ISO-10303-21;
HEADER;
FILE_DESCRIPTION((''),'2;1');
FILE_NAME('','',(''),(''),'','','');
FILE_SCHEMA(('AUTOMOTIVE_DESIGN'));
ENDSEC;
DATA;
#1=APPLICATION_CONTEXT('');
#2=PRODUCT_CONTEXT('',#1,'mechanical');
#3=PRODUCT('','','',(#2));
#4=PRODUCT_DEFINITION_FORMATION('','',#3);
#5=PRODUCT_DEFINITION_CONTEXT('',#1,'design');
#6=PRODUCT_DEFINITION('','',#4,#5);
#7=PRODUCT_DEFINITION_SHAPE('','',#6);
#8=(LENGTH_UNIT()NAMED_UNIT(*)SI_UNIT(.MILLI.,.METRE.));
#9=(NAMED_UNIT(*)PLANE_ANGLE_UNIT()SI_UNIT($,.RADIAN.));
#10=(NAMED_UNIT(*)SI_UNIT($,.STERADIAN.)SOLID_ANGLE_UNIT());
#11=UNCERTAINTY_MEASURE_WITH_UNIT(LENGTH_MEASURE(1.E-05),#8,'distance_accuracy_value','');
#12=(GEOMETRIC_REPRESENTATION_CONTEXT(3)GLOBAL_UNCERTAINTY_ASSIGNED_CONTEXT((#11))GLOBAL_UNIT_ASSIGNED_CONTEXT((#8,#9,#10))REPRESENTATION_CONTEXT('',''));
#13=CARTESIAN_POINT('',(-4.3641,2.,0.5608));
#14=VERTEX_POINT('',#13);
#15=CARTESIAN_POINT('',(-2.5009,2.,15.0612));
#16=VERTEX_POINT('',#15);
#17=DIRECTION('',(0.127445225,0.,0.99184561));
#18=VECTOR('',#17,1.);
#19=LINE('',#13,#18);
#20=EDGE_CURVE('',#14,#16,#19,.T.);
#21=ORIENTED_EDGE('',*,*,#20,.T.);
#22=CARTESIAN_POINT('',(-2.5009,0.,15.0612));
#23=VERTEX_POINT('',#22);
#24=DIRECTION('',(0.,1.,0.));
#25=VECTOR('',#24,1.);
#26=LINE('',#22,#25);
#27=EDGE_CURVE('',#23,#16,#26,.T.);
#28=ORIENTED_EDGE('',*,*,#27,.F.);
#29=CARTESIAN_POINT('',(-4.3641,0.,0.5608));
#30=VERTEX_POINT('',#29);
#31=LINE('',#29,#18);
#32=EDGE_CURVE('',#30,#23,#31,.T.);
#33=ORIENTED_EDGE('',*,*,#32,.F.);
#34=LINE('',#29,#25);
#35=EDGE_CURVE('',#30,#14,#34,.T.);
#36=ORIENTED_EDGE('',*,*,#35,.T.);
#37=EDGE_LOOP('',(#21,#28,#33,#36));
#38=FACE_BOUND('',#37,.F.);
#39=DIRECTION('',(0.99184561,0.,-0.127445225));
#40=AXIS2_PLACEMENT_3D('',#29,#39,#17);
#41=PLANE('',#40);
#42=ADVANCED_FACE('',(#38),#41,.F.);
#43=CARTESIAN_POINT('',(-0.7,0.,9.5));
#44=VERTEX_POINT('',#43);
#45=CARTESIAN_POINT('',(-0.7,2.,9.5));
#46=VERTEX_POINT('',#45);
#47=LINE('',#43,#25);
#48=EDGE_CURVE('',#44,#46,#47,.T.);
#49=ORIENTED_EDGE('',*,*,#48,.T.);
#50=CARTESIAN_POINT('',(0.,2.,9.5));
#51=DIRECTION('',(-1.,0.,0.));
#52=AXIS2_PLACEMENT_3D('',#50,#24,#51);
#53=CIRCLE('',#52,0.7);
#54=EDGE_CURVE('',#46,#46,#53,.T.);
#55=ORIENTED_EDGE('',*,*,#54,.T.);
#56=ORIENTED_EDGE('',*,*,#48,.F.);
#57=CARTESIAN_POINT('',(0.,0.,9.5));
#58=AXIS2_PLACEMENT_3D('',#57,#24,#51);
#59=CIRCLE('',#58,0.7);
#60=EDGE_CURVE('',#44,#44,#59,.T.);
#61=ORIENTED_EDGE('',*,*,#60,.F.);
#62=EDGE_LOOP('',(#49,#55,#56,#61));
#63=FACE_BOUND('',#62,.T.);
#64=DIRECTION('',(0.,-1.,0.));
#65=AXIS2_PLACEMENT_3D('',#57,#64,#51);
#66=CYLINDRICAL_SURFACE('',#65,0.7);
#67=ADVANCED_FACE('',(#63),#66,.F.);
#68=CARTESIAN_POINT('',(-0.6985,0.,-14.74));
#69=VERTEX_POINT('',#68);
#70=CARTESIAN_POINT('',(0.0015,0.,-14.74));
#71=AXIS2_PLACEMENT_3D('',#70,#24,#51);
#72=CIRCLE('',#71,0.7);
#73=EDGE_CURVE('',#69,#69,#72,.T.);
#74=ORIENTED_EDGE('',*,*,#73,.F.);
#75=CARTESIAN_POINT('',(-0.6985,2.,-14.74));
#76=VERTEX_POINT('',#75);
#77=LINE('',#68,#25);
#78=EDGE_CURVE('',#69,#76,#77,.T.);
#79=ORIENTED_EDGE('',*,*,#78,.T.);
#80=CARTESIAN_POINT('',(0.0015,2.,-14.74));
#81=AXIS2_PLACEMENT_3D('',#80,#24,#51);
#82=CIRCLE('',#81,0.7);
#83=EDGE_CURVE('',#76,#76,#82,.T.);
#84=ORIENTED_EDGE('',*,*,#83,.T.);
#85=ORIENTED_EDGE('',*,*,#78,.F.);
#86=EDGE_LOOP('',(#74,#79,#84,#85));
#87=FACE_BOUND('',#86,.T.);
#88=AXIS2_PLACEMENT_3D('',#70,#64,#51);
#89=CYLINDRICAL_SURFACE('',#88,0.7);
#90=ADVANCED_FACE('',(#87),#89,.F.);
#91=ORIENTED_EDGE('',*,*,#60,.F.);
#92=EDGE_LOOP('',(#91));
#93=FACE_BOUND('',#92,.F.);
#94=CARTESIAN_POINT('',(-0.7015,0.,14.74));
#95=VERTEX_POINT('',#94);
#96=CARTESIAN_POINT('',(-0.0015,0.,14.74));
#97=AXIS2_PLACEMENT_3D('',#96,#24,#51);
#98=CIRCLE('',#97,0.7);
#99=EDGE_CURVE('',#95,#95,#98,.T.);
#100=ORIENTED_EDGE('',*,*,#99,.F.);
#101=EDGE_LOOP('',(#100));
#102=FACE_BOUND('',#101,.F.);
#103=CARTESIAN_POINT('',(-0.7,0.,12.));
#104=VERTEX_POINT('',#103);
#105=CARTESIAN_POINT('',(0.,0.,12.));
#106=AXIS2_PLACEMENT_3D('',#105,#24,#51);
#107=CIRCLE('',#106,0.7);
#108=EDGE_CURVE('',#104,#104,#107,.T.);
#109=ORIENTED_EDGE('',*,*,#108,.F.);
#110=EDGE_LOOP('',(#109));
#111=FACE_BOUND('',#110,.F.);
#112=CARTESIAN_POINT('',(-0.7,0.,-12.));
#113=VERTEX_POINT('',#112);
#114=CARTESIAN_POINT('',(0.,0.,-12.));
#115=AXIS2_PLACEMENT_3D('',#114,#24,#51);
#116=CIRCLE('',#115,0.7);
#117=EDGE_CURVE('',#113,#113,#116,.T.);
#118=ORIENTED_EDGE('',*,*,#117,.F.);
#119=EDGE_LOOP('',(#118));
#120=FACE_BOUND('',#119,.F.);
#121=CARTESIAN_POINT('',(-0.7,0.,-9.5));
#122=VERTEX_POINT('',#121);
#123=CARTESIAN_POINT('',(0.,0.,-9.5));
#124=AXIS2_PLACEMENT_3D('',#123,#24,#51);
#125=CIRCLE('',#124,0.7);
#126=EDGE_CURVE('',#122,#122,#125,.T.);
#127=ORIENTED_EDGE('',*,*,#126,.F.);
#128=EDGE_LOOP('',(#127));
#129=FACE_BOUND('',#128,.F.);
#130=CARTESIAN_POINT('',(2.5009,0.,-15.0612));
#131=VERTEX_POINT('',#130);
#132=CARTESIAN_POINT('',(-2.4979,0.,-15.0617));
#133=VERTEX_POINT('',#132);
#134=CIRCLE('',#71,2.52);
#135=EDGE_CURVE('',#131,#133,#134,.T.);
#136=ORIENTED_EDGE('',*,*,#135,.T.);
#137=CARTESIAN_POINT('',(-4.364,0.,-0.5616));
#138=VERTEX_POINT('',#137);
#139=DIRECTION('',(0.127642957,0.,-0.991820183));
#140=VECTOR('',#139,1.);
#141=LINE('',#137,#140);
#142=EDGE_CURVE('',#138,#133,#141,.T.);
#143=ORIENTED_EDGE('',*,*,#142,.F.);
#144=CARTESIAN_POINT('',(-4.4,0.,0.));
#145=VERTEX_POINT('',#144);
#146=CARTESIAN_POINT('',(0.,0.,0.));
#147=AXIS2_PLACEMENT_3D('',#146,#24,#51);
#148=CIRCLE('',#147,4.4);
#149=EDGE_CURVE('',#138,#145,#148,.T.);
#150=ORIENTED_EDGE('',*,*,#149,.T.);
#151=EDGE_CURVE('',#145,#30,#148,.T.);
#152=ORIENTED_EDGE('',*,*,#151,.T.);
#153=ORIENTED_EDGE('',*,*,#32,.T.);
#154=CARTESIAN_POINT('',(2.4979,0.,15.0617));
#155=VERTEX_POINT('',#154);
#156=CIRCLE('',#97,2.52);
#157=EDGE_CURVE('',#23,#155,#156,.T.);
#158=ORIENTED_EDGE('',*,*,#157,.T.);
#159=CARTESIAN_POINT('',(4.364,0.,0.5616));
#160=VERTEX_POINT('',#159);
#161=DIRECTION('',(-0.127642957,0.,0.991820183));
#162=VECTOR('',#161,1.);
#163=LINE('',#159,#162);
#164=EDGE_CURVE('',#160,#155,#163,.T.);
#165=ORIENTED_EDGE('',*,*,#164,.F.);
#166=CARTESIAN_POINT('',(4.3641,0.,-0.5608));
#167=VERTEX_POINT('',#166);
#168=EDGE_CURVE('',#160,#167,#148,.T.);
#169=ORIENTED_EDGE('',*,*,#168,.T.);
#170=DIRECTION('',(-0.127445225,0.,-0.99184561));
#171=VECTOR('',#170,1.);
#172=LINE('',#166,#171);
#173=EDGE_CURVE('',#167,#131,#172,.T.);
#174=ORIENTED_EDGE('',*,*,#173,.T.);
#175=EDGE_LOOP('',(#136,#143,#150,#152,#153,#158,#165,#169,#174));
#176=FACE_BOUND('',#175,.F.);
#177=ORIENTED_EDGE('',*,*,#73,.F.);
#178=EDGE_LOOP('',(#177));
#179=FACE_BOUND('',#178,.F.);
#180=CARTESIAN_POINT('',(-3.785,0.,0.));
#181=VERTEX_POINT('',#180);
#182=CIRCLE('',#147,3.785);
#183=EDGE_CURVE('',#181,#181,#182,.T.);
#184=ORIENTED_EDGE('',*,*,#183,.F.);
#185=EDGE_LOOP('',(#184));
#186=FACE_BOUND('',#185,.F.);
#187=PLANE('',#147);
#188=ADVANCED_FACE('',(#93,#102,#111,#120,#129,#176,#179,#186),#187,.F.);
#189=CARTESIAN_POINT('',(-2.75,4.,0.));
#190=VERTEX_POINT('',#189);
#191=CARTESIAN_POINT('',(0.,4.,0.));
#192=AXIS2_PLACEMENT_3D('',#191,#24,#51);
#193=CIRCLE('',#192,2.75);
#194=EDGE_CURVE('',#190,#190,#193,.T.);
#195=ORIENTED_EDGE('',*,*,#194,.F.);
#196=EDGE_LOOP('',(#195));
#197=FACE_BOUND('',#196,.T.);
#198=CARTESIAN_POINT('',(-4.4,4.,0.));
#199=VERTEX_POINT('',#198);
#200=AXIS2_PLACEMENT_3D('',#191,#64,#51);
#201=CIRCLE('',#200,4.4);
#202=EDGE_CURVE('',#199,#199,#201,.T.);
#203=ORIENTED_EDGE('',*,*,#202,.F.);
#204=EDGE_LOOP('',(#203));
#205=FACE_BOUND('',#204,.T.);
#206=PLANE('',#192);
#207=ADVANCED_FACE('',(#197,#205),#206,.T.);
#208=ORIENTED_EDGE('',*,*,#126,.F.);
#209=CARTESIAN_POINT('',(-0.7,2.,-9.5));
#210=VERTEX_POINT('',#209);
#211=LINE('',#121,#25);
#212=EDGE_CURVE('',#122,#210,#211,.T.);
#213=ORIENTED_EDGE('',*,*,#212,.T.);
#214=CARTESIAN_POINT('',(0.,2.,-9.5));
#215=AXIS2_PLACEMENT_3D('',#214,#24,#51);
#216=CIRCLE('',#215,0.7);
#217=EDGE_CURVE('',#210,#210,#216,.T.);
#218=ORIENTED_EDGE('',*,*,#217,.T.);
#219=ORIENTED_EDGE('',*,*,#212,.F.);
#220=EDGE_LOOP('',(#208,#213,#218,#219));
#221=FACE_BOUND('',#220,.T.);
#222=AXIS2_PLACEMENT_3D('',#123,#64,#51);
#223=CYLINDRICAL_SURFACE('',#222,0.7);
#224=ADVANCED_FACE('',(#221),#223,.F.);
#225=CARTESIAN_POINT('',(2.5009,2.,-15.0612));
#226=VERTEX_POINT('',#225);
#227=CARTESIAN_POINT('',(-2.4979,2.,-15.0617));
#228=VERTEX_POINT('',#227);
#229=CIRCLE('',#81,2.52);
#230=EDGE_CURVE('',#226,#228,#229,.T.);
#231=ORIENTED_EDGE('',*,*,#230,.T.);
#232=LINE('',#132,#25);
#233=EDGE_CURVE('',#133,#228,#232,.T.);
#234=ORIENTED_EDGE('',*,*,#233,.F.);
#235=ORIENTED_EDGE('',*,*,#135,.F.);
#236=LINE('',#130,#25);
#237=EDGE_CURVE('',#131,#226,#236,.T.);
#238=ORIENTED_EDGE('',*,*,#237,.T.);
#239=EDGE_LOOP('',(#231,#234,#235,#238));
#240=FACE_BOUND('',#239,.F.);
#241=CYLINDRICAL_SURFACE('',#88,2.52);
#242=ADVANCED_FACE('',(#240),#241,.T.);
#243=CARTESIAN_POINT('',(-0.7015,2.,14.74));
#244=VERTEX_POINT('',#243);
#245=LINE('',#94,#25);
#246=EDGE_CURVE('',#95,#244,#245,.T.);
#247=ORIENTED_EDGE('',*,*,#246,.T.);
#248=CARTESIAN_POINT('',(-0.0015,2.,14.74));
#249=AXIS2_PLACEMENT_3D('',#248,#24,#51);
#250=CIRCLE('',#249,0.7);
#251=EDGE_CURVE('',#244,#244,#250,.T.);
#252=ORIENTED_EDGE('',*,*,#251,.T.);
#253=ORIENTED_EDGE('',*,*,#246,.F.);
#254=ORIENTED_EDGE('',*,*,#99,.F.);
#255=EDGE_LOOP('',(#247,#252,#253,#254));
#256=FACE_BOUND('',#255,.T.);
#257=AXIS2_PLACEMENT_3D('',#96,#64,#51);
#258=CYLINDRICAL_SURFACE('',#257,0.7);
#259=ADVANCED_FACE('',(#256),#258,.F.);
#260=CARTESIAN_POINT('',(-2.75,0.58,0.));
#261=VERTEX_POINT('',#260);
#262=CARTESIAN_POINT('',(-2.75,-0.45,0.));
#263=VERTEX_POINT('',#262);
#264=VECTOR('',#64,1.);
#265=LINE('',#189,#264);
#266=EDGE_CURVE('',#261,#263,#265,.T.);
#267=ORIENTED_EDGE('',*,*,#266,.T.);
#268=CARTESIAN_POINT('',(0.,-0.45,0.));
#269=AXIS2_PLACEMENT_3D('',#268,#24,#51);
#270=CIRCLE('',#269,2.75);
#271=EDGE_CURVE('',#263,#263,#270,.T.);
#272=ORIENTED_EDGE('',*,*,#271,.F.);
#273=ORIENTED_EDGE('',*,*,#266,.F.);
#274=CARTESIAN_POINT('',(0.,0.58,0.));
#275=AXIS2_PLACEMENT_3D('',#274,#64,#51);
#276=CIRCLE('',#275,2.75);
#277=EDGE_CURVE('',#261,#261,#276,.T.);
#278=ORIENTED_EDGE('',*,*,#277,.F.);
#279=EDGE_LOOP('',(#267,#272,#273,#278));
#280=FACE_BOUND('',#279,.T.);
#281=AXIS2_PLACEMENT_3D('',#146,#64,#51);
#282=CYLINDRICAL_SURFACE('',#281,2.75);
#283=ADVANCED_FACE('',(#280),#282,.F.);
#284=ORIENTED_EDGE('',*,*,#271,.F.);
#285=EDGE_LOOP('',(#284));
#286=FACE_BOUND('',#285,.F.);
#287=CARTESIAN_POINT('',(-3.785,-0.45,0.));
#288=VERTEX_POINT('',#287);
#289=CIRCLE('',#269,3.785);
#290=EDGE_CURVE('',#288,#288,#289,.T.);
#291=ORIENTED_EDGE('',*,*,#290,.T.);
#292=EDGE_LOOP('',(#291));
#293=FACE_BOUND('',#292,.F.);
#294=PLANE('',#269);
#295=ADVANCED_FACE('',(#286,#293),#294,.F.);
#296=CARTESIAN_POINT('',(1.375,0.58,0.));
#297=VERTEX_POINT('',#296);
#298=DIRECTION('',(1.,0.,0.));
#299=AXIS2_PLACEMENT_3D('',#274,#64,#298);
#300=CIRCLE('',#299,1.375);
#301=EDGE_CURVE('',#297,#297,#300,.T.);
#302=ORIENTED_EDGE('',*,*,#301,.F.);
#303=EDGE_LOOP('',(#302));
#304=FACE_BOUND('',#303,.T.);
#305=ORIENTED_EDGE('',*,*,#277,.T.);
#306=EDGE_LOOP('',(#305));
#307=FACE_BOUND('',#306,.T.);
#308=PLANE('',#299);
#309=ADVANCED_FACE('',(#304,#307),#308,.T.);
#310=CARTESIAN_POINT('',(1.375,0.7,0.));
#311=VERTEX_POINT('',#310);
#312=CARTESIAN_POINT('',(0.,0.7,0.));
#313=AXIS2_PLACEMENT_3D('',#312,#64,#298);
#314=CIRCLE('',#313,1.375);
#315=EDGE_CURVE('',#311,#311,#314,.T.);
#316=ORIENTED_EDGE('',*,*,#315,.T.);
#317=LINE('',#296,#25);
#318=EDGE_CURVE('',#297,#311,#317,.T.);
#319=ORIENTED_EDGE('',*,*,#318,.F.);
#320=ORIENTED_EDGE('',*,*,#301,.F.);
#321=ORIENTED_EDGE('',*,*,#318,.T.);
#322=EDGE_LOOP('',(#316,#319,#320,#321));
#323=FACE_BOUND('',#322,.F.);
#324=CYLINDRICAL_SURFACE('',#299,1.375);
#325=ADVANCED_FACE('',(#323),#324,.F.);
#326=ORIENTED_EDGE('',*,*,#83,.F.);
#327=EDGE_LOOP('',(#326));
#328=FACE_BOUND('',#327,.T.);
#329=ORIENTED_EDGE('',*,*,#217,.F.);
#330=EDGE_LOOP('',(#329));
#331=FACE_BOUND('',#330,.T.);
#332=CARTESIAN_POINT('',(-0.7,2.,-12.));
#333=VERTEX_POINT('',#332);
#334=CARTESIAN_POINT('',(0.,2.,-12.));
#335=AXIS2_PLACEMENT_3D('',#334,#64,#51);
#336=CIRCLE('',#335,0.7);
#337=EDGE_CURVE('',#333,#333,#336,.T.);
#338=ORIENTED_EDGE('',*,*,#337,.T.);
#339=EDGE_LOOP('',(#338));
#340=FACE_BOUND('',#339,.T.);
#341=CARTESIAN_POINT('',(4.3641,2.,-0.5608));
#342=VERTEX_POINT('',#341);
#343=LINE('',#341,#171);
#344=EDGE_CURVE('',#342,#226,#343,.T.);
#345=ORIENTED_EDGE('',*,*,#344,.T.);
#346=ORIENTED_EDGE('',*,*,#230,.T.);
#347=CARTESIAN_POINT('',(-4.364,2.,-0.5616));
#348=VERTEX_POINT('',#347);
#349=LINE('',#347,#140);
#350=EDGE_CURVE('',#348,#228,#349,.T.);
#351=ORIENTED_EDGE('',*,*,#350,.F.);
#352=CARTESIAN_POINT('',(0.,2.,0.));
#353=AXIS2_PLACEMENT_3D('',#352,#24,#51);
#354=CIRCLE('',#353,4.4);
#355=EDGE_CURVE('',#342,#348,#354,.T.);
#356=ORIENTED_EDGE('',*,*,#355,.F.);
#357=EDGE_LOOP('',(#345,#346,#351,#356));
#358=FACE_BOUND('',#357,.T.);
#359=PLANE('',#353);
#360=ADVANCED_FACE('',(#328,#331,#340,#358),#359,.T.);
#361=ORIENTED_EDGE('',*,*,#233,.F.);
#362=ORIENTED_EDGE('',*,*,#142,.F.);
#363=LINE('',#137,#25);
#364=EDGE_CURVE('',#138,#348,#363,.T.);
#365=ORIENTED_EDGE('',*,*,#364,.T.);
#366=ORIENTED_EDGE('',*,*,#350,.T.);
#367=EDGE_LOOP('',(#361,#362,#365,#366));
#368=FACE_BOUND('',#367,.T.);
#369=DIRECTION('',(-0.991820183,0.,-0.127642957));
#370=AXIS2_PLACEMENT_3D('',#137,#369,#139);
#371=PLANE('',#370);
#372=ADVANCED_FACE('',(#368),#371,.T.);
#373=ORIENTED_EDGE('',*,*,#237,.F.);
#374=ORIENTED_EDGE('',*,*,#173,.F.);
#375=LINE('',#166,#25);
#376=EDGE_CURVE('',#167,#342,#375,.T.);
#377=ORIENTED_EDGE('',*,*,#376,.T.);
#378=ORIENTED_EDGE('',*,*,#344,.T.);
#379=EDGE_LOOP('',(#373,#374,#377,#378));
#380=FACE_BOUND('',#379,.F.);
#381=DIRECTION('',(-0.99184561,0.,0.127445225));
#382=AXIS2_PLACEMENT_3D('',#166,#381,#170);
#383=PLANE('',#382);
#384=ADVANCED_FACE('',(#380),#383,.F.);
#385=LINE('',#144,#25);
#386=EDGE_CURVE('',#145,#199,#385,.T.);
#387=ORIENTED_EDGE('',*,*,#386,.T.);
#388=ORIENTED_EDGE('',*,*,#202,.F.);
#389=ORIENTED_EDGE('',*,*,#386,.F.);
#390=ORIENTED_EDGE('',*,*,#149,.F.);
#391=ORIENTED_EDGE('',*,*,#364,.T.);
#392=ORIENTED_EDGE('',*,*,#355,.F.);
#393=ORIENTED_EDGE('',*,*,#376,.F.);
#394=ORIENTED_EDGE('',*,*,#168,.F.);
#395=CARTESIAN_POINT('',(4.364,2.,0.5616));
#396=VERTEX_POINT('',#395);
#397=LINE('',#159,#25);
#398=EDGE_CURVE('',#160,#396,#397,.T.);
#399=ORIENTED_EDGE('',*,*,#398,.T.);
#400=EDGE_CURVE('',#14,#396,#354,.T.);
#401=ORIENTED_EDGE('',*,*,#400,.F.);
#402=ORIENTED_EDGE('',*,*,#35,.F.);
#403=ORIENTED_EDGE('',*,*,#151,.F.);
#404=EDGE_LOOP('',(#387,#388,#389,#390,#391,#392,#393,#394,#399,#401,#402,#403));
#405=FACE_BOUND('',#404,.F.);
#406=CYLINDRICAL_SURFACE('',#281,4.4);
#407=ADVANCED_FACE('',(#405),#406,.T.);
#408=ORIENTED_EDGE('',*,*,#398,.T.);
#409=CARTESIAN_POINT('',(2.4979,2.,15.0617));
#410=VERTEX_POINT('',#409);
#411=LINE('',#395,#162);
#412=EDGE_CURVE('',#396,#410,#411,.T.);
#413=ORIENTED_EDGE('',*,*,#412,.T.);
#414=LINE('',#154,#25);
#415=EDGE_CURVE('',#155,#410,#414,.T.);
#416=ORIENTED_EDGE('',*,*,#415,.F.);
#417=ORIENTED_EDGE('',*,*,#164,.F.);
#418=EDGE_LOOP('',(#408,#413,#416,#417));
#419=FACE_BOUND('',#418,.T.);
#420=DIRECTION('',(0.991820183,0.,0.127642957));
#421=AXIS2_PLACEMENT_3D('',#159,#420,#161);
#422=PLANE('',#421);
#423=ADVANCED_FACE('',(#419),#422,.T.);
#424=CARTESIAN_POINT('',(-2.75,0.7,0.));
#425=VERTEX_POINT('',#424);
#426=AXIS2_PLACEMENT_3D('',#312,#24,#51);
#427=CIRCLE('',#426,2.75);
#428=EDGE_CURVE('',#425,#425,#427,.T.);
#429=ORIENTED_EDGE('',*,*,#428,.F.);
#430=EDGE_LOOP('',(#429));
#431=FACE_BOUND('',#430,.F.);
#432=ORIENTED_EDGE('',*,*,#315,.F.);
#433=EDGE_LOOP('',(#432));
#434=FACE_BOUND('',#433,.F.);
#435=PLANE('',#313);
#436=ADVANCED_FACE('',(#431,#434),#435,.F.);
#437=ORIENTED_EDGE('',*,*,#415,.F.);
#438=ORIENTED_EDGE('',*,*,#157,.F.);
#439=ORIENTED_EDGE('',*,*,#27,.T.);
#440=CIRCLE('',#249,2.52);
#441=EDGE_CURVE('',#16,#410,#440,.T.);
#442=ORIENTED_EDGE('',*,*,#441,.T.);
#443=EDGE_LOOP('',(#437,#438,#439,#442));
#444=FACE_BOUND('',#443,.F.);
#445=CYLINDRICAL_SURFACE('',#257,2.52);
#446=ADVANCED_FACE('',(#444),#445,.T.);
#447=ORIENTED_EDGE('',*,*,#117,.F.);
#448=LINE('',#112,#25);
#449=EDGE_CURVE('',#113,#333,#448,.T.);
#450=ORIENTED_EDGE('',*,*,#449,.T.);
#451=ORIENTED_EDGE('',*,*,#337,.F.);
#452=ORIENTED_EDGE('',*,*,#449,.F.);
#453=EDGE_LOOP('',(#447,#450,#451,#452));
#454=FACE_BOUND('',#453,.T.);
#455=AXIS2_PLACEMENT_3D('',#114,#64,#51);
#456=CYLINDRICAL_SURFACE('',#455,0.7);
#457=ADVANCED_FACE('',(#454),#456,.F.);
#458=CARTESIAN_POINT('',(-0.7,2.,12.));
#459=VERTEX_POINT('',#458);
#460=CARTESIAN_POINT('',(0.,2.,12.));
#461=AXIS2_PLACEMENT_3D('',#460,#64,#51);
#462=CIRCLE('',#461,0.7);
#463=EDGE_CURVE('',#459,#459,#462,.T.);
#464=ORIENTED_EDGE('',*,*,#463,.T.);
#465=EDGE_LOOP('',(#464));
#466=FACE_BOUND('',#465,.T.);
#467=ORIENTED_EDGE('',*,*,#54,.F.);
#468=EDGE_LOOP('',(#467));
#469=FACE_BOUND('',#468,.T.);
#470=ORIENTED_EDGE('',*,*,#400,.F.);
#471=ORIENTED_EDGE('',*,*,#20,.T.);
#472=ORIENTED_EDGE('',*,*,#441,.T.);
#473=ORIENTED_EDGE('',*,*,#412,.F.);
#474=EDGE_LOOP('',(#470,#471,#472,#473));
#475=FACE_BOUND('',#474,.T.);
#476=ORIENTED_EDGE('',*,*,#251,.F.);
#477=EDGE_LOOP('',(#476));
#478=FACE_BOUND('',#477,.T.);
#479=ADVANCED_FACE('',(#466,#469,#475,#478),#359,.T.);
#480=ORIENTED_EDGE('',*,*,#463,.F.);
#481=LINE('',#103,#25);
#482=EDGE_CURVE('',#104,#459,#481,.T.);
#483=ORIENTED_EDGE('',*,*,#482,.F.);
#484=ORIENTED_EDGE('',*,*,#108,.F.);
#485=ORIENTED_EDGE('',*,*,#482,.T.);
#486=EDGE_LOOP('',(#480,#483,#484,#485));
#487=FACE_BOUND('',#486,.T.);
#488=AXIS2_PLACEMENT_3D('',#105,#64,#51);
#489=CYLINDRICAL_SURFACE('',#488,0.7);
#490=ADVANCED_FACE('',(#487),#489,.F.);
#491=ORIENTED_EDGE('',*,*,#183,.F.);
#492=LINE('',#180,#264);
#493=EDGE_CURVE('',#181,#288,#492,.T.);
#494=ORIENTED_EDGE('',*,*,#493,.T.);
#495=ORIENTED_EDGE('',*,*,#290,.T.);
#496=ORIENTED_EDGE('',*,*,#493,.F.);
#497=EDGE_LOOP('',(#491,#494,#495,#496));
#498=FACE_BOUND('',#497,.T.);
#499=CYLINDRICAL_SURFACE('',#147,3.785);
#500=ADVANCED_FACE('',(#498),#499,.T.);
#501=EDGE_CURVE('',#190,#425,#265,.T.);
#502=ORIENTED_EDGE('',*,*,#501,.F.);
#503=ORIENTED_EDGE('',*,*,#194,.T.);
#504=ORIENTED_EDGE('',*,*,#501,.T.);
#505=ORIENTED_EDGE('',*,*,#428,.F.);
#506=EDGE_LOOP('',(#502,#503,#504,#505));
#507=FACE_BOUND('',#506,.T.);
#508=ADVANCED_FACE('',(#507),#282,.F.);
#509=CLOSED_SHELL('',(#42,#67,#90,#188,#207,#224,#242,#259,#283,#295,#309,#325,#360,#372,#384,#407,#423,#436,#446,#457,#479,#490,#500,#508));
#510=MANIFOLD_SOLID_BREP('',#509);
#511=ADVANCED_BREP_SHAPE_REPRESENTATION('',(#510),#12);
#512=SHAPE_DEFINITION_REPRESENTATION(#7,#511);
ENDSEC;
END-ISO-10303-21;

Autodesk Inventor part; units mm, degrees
ref_plane "YZ Plane" through (0, 0, 0) normal (1, 0, 0) x (0, 1, 0)
ref_plane "XZ Plane" through (0, 0, 0) normal (0, 1, 0) x (-1, 0, 0)
ref_plane "XY Plane" through (0, 0, 0) normal (0, 0, 1) x (1, 0, 0)
sketch "Sketch1" plane through (0, 0, 0) normal (0, 1, 0) x (-1, 0, 0)
  circle A0 centre (0, 0) radius 1.375
  circle A1 centre (0, 0) radius 2.75
  circle A2 centre (0, 0) radius 3.785
  circle A3 centre (0, 0) radius 4.4
  circle A4 centre (-0.0015, -14.74) radius 2.52
  circle A5 centre (-0.0015, -14.74) radius 0.7
  circle A6 centre (0, -12) radius 0.7
  circle A7 centre (0, -9.5) radius 0.7
  line L0 (4.364, -0.5616) -> (2.4979, -15.0617)
  line L1 (-4.3641, -0.5608) -> (-2.5009, -15.0612)
  line L2 (-4.364, 0.5616) -> (-2.4979, 15.0617)
  line L3 (4.3641, 0.5608) -> (2.5009, 15.0612)
  circle A8 centre (0, 9.5) radius 0.7
  circle A9 centre (0, 12) radius 0.7
  circle A10 centre (0.0015, 14.74) radius 2.52
  circle A11 centre (0.0015, 14.74) radius 0.7
  dimension "d0" = 2.75
  dimension "d1" = 5.5
  dimension "d2" = 7.57
  dimension "d3" = 8.8
  dimension "d4" = 5.04
  dimension "d5" = 14.74
  dimension "d6" = 1.4
  dimension "d7" = 1.4
  dimension "d8" = 1.4
  dimension "d9" = 9.5
  dimension "d10" = 12
  dimension "d13" = 360
extrude "Extrusion1" add sketch "Sketch1" along normal blind 2 contours A3 L2 A10 A9 L3 | L0 A4 A6 L1 A3 | A10 A9 | A4 A6 picked at (-0.632, 13.1055) picked at (-0.6336, -13.105)
extrude "Extrusion2" add sketch "Sketch1" along normal blind 4 contours A3
extrude "Extrusion3" add sketch "Sketch1" along normal blind 4 and the other way blind 0.45 contours A2
ref_plane "Work Plane1" through (0, 0.58, 0) normal (0, -1, 0) x (1, 0, 0)
sketch "Sketch2" plane through (0, 0.58, 0) normal (0, -1, 0) x (1, 0, 0)
  circle A0 centre (0, 0) radius 2.75
  circle A1 centre (0, 0) radius 1.375
  dimension "d26" = 5.5
  dimension "d27" = 2.75
extrude "Extrusion5" add sketch "Sketch2" against normal blind 0.12
properties part number "Standard Servo Horn - White Propellor"
